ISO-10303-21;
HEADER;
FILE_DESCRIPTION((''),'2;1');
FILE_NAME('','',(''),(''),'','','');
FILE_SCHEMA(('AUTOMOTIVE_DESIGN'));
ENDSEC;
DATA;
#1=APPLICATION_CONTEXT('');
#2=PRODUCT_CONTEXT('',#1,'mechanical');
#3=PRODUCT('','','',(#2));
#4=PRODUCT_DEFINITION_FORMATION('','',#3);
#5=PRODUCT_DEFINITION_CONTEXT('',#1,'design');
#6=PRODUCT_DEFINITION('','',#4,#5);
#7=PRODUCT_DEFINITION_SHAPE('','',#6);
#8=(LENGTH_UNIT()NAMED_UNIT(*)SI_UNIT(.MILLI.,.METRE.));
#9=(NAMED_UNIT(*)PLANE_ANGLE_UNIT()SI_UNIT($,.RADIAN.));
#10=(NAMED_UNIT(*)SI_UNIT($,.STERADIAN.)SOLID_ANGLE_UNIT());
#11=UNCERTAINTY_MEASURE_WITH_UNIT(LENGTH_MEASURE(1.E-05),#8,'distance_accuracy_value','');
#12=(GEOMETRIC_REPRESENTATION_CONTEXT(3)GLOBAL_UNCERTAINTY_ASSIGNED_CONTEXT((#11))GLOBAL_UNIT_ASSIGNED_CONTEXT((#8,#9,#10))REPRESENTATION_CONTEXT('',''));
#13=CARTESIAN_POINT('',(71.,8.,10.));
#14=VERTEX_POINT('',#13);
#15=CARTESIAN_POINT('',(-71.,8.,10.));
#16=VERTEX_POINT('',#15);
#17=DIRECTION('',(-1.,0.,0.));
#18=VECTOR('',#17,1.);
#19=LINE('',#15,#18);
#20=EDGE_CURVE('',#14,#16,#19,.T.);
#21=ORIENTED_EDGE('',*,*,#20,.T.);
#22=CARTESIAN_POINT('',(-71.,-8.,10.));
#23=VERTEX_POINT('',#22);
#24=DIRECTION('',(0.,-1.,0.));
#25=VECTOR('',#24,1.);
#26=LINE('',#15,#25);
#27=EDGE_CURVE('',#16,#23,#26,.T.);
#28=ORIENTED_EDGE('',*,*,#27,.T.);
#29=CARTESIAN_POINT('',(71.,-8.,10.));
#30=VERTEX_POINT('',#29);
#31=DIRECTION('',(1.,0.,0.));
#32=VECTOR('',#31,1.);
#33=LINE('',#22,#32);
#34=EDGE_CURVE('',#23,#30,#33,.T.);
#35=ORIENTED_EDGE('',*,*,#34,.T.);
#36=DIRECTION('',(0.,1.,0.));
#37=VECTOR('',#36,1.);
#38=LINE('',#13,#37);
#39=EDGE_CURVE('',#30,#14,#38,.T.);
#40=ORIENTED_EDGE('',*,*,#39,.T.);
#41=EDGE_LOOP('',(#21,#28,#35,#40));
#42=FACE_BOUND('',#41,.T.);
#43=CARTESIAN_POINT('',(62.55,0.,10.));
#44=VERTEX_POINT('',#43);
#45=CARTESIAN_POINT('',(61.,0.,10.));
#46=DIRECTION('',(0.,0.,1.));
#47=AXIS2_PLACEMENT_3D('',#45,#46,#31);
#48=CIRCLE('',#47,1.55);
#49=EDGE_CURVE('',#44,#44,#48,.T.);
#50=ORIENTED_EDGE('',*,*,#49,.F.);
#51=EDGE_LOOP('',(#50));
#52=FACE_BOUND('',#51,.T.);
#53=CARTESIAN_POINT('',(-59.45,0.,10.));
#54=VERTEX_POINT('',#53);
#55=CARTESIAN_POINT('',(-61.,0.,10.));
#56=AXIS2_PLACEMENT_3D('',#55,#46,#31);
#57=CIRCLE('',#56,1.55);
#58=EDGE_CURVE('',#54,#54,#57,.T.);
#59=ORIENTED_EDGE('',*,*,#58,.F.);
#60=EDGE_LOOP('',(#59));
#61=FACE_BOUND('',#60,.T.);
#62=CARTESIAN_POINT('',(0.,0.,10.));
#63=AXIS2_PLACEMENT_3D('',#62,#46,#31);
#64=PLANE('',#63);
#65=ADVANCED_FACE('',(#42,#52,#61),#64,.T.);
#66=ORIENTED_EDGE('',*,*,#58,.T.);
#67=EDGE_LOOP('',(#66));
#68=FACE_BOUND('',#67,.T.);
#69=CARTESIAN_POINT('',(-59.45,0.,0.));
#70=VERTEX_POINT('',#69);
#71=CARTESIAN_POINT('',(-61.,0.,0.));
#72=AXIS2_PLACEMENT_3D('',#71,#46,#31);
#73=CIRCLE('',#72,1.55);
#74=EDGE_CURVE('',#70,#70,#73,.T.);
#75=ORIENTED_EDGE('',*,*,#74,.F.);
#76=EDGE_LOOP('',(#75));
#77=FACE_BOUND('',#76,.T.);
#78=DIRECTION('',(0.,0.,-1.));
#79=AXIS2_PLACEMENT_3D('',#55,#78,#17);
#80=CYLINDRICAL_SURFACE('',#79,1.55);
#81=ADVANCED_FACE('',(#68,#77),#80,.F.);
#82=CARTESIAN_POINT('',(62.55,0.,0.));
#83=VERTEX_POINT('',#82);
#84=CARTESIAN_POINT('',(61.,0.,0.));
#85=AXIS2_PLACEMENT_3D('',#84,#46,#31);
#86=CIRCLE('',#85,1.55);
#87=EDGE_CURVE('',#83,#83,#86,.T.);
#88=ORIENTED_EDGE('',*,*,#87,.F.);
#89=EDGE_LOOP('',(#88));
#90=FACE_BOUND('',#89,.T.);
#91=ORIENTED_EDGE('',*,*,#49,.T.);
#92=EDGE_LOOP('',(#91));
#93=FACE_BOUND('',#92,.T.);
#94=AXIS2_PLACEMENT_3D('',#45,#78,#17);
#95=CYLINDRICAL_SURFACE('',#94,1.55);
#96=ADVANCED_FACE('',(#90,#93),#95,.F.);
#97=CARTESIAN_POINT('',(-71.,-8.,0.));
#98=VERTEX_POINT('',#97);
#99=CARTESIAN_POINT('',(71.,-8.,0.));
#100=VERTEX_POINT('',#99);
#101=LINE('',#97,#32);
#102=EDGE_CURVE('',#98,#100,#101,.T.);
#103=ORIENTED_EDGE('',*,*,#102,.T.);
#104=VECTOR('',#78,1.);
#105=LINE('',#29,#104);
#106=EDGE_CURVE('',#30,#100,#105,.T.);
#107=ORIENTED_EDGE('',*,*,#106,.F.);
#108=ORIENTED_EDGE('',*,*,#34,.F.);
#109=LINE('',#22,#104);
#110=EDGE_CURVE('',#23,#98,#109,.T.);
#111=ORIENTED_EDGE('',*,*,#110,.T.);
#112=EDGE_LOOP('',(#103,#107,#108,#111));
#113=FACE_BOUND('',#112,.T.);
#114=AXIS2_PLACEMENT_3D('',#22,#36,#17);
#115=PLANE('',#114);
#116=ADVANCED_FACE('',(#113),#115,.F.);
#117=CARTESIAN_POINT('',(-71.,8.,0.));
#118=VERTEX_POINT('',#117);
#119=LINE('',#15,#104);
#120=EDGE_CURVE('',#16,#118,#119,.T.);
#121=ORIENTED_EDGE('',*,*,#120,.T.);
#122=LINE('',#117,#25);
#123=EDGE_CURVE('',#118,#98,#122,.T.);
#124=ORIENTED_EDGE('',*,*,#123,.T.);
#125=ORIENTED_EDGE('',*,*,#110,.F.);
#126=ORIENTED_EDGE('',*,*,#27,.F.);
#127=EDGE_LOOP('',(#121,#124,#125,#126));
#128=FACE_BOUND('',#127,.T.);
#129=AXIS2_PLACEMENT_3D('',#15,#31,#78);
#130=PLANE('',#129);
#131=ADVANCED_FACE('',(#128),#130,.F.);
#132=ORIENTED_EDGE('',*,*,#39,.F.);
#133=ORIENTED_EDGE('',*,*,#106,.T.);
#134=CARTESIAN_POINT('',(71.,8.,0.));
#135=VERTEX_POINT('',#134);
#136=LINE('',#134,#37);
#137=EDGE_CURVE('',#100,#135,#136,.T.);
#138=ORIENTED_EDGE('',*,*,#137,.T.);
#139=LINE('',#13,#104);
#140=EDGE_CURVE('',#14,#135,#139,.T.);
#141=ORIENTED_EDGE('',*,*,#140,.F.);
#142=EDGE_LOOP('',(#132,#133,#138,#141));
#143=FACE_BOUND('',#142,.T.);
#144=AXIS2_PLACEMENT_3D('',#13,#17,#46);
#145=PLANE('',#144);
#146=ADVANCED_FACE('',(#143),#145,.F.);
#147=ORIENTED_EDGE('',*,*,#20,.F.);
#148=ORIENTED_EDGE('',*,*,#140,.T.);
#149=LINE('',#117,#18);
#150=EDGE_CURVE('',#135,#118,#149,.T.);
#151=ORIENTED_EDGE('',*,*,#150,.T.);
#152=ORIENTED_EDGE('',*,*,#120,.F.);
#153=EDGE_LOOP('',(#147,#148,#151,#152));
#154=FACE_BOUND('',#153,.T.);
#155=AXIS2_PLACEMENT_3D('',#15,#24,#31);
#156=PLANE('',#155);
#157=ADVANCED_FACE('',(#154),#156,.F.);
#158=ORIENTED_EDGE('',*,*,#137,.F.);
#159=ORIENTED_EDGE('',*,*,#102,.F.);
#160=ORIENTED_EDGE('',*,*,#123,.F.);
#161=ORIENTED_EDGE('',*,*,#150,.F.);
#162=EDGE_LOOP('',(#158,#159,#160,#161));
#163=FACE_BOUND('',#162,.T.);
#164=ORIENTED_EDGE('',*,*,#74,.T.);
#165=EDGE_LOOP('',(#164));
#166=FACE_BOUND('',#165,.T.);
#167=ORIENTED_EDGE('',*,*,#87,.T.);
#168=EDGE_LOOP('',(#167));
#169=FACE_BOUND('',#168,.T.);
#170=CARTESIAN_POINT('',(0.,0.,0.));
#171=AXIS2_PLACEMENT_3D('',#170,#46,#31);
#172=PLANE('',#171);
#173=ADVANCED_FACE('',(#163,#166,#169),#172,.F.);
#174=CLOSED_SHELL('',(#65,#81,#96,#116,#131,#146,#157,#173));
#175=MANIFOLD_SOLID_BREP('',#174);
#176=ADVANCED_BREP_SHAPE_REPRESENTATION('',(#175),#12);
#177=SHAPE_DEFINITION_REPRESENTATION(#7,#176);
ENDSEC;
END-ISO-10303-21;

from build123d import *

# Parameters (mm, degrees)
SKETCH1_W           = 142
SKETCH1_H           = 16
SKETCH1_R           = 1.55
BOSS_EXTRUDE1_DEPTH = 10


with BuildPart() as part:
    # Sketch1 → Boss-Extrude1 (new body)
    with BuildSketch(Plane.XY):
        Rectangle(SKETCH1_W, SKETCH1_H)
        with Locations((61, 0)):
            Circle(SKETCH1_R, mode=Mode.SUBTRACT)
        with Locations((-61, 0)):
            Circle(SKETCH1_R, mode=Mode.SUBTRACT)
    extrude(amount=BOSS_EXTRUDE1_DEPTH)


solid = part.part
